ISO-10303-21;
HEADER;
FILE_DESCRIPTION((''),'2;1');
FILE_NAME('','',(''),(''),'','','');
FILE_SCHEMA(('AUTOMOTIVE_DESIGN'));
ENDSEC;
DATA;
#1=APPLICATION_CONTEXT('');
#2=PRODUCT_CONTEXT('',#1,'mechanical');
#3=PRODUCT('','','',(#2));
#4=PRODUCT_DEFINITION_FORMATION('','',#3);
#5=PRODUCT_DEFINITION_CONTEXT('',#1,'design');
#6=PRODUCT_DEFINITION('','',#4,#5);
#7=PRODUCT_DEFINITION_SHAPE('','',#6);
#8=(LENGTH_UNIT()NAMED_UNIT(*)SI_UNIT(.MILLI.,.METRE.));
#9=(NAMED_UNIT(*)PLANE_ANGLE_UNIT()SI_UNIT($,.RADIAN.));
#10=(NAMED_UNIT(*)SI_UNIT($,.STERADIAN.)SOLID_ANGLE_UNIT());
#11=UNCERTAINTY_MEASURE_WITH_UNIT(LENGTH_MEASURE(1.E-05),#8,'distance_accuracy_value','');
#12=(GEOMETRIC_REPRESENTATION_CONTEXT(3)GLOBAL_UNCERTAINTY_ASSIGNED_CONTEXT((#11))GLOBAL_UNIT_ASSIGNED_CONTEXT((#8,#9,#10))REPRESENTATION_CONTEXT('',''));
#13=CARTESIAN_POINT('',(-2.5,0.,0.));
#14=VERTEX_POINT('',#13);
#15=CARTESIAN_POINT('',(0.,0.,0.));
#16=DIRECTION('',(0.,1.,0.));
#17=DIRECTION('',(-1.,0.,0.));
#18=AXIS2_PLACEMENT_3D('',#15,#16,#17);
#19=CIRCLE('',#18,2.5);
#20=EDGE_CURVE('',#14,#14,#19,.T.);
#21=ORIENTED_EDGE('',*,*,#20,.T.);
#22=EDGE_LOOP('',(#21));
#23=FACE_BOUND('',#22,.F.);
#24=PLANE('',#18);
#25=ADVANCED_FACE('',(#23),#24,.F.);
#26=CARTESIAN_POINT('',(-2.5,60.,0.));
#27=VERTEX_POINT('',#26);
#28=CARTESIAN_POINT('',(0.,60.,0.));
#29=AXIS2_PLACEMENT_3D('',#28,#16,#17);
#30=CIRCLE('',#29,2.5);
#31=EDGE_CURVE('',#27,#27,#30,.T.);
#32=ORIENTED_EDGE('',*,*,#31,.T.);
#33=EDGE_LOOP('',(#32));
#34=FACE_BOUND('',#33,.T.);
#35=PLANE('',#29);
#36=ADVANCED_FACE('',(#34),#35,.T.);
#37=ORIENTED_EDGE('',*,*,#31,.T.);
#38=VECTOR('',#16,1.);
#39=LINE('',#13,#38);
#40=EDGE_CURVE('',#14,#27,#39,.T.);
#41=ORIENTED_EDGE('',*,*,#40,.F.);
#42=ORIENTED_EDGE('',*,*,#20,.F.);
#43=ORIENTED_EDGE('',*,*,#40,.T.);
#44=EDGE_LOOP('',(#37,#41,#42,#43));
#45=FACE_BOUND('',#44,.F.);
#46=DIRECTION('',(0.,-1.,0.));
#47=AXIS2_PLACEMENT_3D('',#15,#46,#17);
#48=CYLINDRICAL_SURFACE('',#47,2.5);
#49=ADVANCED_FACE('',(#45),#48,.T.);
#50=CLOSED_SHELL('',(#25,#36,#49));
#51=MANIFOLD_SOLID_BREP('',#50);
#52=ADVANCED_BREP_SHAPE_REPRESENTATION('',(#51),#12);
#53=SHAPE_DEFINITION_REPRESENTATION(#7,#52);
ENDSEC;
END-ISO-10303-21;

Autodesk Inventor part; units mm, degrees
ref_plane "YZ Plane" through (0, 0, 0) normal (1, 0, 0) x (0, 1, 0)
ref_plane "XZ Plane" through (0, 0, 0) normal (0, 1, 0) x (-1, 0, 0)
ref_plane "XY Plane" through (0, 0, 0) normal (0, 0, 1) x (1, 0, 0)
sketch "Sketch1" plane through (0, 0, 0) normal (0, 1, 0) x (-1, 0, 0)
  circle A0 centre (0, 0) radius 2.5
  dimension "d0" = 5
extrude "Extrusion1" add sketch "Sketch1" along normal blind 60
thread "Thread1" size "M5x0.8" class "6g" standard "ISO Metric profile" full length
properties part number "Kettenblech_stange"
